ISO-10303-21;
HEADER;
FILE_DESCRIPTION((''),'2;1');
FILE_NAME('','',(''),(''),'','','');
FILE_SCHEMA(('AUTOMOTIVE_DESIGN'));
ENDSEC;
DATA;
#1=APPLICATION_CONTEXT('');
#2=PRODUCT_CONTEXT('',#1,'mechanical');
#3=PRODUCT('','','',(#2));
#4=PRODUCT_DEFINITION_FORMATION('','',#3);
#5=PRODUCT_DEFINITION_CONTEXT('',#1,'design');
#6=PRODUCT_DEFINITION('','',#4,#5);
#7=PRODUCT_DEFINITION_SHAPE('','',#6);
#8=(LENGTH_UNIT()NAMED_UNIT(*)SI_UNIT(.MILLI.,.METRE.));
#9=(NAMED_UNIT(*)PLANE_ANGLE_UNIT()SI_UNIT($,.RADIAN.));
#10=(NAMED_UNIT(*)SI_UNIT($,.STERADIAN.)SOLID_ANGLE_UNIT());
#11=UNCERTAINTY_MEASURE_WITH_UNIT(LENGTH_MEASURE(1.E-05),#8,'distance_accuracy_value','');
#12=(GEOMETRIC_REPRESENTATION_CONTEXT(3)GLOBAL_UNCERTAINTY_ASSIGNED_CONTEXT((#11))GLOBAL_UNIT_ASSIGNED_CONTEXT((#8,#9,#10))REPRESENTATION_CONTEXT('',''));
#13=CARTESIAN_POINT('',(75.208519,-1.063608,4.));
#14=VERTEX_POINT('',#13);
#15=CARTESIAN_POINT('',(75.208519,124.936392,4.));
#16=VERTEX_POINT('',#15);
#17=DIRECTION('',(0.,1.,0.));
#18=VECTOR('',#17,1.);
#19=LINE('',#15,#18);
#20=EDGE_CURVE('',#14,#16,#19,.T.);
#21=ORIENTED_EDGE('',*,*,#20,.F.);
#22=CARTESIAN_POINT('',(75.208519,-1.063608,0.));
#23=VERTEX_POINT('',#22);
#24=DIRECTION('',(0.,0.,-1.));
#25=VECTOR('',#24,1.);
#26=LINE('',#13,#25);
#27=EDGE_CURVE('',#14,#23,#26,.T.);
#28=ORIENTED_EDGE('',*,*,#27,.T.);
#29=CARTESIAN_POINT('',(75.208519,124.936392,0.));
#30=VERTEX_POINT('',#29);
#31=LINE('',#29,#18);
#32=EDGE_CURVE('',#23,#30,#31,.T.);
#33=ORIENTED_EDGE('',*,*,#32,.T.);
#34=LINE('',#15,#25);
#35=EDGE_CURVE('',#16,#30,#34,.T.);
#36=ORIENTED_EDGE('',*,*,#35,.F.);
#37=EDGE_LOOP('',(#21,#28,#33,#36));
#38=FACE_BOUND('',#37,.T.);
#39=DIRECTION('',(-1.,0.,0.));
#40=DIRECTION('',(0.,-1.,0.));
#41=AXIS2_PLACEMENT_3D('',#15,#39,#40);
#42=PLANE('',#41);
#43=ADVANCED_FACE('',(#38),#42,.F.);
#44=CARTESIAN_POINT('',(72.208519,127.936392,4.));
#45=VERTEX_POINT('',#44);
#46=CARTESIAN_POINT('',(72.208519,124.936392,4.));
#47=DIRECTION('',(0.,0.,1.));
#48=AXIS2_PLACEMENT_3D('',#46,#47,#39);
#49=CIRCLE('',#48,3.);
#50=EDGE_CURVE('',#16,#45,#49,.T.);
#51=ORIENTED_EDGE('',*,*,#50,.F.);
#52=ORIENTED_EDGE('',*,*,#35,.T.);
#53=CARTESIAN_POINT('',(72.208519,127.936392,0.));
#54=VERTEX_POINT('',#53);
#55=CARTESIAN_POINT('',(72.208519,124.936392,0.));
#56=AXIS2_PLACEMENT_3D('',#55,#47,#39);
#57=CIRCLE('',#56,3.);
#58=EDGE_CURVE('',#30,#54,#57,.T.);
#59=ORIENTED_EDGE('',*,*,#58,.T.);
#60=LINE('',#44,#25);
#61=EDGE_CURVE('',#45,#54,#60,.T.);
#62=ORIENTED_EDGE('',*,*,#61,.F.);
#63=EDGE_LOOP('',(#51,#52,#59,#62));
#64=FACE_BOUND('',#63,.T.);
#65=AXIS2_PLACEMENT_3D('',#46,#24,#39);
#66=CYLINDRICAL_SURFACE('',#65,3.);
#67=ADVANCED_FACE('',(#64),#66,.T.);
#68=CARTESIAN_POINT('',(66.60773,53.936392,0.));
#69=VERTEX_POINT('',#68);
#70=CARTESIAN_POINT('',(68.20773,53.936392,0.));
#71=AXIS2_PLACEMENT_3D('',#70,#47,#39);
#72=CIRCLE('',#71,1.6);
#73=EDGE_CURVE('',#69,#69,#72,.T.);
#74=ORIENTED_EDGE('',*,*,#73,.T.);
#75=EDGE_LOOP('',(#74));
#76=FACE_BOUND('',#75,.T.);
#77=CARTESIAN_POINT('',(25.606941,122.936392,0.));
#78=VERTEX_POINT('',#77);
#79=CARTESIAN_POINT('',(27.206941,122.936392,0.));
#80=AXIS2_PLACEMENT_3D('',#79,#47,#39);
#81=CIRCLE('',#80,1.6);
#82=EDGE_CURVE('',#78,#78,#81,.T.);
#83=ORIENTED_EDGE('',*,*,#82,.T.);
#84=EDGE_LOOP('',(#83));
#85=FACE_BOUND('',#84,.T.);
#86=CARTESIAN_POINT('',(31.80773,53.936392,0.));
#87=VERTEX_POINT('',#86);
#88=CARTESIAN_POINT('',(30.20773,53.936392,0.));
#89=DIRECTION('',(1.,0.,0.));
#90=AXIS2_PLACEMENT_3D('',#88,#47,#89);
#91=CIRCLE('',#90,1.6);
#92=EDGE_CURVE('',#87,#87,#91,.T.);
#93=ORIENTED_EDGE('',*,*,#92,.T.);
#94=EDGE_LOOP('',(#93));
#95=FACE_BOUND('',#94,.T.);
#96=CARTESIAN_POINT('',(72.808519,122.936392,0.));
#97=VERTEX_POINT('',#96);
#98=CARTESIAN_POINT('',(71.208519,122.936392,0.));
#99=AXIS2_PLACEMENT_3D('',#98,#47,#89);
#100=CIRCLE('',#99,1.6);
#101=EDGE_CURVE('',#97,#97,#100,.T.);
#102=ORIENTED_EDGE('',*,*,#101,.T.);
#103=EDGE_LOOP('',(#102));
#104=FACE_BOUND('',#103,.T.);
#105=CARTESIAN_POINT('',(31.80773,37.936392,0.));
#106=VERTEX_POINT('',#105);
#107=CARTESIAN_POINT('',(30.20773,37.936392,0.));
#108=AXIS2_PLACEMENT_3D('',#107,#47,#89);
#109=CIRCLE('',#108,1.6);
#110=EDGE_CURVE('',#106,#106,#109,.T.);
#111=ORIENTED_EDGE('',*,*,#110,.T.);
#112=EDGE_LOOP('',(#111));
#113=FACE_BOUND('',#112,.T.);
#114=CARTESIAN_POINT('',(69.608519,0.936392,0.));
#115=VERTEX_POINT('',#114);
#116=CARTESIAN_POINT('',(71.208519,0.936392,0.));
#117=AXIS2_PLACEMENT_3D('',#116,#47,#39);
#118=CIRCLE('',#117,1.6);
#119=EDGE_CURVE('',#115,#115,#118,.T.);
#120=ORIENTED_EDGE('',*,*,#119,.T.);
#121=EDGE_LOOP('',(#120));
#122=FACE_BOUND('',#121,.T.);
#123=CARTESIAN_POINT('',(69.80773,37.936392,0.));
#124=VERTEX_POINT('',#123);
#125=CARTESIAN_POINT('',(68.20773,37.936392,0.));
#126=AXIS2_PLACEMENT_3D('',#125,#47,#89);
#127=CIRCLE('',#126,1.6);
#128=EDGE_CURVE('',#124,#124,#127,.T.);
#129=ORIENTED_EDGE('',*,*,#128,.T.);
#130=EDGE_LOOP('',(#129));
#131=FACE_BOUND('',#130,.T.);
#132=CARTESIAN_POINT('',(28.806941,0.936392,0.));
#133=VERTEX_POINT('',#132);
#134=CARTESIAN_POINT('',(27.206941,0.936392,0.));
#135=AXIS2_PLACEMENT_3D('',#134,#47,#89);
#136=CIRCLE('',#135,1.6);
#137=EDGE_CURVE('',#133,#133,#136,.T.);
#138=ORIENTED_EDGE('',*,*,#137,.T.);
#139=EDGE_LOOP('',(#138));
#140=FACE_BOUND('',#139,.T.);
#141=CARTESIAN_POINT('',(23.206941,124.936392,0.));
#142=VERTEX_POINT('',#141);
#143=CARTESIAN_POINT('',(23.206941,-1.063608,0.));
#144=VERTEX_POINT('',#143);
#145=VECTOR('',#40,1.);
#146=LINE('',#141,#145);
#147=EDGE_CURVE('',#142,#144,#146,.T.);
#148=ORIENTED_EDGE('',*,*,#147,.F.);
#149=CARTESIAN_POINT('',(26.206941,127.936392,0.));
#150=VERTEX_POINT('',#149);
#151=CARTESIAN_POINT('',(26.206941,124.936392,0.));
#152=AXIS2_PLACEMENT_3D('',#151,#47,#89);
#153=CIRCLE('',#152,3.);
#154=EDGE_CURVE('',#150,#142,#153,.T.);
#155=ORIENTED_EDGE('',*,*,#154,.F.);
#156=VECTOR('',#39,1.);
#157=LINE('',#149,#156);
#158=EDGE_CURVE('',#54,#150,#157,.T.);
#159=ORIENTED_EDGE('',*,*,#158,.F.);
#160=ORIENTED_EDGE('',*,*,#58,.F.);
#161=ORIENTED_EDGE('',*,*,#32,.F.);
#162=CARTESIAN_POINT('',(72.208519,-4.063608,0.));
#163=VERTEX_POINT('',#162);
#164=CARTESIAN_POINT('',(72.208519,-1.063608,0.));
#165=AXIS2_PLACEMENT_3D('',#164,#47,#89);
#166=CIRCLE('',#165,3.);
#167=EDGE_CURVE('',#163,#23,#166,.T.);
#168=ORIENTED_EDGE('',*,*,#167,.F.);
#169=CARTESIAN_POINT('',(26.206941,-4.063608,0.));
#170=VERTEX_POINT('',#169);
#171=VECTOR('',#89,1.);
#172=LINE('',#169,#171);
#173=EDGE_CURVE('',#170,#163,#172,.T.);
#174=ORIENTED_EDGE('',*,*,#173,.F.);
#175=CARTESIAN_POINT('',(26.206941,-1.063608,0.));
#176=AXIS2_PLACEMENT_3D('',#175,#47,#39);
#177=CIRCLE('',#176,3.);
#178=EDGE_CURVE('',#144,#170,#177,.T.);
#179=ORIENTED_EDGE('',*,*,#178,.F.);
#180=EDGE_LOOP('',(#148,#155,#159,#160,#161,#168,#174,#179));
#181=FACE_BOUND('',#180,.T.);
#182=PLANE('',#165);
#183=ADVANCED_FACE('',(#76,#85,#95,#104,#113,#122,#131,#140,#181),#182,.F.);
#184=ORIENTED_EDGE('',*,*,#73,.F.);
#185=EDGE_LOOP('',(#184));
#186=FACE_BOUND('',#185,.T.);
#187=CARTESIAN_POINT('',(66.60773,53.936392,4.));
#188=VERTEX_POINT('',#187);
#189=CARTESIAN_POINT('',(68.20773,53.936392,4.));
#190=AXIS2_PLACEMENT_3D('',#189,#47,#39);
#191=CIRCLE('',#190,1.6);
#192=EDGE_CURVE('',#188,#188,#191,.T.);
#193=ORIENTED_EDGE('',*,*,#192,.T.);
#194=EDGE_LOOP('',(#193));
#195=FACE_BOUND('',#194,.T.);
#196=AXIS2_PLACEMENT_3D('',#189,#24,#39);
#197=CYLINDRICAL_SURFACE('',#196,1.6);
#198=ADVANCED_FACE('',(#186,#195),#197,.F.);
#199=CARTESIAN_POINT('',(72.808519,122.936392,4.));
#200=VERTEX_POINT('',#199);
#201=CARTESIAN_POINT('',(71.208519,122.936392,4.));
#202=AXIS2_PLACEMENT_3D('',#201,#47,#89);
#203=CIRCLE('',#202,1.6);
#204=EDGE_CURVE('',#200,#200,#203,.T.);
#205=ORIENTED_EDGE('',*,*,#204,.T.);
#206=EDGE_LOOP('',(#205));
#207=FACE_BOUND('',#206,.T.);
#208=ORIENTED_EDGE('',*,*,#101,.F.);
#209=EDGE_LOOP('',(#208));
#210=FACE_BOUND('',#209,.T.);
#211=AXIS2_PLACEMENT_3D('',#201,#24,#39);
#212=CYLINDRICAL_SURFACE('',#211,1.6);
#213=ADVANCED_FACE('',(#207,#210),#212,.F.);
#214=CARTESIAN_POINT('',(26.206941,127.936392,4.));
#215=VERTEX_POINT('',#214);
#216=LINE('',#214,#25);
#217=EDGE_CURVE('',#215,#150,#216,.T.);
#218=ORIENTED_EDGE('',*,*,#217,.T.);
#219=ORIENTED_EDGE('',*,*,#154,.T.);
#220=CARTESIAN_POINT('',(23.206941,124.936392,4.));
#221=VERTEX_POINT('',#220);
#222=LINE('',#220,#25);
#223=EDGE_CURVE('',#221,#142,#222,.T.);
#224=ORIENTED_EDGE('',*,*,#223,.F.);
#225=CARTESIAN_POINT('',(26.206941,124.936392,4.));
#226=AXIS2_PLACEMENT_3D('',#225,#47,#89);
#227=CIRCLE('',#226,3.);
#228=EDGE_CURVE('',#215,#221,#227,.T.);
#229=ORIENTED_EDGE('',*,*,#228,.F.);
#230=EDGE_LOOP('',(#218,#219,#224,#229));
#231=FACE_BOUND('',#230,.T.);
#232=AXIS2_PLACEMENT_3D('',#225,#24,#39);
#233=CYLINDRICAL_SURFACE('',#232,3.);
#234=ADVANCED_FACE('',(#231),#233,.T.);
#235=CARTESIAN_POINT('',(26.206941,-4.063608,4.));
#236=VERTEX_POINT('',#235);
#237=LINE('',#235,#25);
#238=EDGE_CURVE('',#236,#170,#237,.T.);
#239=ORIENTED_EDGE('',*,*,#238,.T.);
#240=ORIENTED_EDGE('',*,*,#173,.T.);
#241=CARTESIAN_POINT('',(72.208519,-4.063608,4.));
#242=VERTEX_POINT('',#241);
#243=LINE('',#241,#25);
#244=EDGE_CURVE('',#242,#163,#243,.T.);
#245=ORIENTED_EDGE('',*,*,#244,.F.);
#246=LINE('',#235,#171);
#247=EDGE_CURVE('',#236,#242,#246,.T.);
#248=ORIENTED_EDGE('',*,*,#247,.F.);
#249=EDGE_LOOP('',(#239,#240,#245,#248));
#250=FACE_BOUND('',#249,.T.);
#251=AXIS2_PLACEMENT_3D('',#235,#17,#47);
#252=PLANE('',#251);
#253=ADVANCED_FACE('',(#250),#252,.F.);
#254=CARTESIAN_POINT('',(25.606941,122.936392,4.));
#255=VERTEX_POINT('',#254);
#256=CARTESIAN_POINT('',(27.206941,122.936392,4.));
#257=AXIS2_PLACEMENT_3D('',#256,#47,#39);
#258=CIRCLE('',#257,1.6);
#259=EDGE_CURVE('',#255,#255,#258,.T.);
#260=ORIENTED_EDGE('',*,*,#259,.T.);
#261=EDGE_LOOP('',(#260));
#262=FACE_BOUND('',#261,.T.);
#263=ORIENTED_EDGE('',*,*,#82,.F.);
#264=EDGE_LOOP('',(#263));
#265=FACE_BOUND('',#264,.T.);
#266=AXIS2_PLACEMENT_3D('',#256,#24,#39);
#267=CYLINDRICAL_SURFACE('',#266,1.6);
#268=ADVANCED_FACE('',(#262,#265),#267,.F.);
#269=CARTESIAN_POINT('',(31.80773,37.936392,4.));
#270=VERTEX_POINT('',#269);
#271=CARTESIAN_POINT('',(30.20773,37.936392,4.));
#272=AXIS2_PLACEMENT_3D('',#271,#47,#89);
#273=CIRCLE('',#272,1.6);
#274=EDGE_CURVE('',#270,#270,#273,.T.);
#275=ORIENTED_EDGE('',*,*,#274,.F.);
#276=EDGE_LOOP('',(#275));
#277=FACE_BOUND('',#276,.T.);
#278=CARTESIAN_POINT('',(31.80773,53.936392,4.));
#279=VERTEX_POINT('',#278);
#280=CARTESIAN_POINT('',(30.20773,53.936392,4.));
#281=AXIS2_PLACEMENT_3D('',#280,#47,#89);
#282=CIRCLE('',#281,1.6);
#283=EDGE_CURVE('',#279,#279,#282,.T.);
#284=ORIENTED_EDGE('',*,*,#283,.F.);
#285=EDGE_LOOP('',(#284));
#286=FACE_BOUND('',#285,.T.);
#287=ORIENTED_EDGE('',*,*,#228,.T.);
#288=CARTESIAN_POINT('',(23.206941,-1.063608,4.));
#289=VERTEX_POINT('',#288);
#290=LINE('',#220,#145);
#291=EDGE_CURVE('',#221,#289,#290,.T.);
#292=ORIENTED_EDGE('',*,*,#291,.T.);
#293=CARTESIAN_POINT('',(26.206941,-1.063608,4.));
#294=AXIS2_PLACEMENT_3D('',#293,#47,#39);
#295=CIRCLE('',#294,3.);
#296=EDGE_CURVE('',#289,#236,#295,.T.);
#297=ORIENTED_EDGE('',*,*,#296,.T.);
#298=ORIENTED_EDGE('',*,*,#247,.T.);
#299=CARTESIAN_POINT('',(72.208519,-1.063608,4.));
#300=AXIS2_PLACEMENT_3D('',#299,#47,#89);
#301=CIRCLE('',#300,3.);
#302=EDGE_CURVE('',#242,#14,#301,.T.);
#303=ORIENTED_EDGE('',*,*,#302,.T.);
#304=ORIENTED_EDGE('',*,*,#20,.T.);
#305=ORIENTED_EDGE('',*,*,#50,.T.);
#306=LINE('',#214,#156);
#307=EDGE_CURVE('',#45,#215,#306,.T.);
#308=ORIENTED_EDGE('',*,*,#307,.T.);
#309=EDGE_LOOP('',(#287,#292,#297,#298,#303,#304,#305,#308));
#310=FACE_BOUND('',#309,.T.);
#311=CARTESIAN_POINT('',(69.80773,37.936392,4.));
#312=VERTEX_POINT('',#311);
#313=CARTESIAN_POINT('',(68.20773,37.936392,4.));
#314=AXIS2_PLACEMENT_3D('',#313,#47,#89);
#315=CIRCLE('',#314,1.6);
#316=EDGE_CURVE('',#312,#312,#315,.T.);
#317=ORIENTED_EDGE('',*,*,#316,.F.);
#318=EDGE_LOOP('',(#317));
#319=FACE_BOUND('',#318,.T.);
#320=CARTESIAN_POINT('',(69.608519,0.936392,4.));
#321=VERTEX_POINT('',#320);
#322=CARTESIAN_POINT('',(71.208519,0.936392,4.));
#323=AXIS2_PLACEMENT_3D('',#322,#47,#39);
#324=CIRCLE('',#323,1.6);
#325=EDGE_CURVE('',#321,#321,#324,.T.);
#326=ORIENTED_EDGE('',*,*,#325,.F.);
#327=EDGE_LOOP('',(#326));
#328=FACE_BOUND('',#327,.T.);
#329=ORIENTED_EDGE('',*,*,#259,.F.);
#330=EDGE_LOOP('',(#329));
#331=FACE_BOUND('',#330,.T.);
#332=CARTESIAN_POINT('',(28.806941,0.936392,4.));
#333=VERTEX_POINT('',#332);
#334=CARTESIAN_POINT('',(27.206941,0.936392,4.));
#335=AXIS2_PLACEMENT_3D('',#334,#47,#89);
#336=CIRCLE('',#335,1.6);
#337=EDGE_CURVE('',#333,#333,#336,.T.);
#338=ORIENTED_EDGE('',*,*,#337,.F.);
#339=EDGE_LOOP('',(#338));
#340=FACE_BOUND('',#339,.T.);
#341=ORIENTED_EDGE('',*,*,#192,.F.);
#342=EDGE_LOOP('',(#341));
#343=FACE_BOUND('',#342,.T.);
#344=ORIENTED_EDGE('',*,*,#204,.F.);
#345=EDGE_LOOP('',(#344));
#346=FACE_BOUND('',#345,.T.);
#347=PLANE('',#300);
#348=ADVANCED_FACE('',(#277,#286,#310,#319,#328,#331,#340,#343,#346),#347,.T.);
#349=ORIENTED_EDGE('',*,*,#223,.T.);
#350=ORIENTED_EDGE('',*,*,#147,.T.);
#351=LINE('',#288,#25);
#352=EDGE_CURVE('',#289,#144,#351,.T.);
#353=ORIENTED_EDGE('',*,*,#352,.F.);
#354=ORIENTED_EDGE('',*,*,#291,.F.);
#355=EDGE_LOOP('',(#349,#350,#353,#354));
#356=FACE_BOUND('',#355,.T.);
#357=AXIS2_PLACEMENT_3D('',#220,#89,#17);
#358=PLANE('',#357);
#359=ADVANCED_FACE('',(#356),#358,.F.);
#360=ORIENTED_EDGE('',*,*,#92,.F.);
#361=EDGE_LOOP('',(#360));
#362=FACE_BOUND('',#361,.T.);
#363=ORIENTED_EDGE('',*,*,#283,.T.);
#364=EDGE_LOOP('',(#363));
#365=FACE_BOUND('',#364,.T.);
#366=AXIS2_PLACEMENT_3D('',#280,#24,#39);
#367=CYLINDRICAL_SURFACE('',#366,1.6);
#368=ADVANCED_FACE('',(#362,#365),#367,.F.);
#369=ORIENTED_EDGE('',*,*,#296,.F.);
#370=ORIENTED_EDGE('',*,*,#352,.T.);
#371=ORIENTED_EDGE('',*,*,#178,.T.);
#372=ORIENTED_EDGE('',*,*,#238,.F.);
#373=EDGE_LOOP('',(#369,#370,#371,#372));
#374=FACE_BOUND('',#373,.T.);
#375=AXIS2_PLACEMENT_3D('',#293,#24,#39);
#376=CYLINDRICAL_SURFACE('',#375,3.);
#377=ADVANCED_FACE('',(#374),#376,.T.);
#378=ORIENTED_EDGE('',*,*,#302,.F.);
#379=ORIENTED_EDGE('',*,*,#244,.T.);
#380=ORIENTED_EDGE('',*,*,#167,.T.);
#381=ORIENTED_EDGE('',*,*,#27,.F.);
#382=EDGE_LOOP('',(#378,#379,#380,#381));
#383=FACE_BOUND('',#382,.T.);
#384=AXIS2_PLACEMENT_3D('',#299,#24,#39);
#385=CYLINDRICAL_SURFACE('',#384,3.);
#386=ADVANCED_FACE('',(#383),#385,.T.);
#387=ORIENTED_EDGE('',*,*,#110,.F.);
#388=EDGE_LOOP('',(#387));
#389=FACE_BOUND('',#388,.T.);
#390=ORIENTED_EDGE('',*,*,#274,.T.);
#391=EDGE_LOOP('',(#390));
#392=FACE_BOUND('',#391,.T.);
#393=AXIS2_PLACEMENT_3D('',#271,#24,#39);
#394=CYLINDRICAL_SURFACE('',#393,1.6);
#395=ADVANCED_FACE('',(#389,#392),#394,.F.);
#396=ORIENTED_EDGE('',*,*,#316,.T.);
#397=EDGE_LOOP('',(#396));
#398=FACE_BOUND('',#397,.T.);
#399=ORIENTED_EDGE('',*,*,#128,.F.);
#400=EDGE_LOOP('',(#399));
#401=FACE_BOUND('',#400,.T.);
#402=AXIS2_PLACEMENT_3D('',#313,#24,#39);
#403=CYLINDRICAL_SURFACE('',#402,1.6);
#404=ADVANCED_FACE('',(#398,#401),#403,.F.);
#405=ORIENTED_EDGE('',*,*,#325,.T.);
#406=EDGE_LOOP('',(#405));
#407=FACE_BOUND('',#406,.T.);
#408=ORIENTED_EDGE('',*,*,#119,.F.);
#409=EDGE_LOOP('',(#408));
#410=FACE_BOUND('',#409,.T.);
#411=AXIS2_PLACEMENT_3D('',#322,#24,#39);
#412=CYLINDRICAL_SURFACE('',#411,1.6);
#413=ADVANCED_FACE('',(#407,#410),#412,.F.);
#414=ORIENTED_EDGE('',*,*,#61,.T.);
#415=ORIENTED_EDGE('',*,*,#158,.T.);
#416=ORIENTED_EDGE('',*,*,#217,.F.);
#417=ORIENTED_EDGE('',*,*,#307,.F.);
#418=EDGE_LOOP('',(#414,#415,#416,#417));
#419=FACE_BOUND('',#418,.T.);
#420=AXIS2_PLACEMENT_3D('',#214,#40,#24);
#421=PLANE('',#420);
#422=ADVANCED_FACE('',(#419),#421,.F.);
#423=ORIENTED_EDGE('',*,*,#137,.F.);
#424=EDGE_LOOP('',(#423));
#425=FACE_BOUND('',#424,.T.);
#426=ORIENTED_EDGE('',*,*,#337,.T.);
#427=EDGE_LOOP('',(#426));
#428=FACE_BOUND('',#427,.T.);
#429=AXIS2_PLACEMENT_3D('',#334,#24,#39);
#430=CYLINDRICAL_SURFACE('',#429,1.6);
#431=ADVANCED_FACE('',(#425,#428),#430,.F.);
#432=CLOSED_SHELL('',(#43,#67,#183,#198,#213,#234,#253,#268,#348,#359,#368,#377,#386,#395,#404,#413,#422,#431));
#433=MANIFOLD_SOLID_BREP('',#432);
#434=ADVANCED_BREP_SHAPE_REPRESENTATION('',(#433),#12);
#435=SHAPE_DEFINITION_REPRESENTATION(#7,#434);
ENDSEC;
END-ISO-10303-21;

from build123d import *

# Parameters (mm, degrees)
SKETCH1_R           = 1.6
BOSS_EXTRUDE1_DEPTH = 4


with BuildPart() as part:
    # Sketch1 → Boss-Extrude1 (new body)
    with BuildSketch(Plane.XY):
        with BuildLine():
            Line((23.206941284, 124.936391703), (23.206941284, -1.063608297))
            ThreePointArc((23.206941284, -1.063608297), (24.085620941, -3.184928641), (26.206941284, -4.063608297))
            Line((26.206941284, -4.063608297), (72.208519176, -4.063608297))
            ThreePointArc((72.208519176, -4.063608297), (74.32983952, -3.184928641), (75.208519176, -1.063608297))
            Line((75.208519176, -1.063608297), (75.208519176, 124.936391703))
            ThreePointArc((75.208519176, 124.936391703), (74.32983952, 127.057712046), (72.208519176, 127.936391703))
            Line((72.208519176, 127.936391703), (26.206941284, 127.936391703))
            ThreePointArc((26.206941284, 127.936391703), (24.085620941, 127.057712046), (23.206941284, 124.936391703))
        make_face()
        with Locations((30.20773023, 53.936391703)):
            Circle(SKETCH1_R, mode=Mode.SUBTRACT)
        with Locations((27.206941284, 0.936391703)):
            Circle(SKETCH1_R, mode=Mode.SUBTRACT)
        with Locations((30.20773023, 37.936391703)):
            Circle(SKETCH1_R, mode=Mode.SUBTRACT)
        with Locations((71.208519176, 122.936391703)):
            Circle(SKETCH1_R, mode=Mode.SUBTRACT)
        with Locations(Location((71.208519176, 0.936391703, 0), (0, 0, 180))):
            Circle(SKETCH1_R, mode=Mode.SUBTRACT)
        with Locations(Location((68.20773023, 53.936391703, 0), (0, 0, 180))):
            Circle(SKETCH1_R, mode=Mode.SUBTRACT)
        with Locations(Location((27.206941284, 122.936391703, 0), (0, 0, 180))):
            Circle(SKETCH1_R, mode=Mode.SUBTRACT)
        with Locations((68.20773023, 37.936391703)):
            Circle(SKETCH1_R, mode=Mode.SUBTRACT)
    extrude(amount=BOSS_EXTRUDE1_DEPTH)


solid = part.part
